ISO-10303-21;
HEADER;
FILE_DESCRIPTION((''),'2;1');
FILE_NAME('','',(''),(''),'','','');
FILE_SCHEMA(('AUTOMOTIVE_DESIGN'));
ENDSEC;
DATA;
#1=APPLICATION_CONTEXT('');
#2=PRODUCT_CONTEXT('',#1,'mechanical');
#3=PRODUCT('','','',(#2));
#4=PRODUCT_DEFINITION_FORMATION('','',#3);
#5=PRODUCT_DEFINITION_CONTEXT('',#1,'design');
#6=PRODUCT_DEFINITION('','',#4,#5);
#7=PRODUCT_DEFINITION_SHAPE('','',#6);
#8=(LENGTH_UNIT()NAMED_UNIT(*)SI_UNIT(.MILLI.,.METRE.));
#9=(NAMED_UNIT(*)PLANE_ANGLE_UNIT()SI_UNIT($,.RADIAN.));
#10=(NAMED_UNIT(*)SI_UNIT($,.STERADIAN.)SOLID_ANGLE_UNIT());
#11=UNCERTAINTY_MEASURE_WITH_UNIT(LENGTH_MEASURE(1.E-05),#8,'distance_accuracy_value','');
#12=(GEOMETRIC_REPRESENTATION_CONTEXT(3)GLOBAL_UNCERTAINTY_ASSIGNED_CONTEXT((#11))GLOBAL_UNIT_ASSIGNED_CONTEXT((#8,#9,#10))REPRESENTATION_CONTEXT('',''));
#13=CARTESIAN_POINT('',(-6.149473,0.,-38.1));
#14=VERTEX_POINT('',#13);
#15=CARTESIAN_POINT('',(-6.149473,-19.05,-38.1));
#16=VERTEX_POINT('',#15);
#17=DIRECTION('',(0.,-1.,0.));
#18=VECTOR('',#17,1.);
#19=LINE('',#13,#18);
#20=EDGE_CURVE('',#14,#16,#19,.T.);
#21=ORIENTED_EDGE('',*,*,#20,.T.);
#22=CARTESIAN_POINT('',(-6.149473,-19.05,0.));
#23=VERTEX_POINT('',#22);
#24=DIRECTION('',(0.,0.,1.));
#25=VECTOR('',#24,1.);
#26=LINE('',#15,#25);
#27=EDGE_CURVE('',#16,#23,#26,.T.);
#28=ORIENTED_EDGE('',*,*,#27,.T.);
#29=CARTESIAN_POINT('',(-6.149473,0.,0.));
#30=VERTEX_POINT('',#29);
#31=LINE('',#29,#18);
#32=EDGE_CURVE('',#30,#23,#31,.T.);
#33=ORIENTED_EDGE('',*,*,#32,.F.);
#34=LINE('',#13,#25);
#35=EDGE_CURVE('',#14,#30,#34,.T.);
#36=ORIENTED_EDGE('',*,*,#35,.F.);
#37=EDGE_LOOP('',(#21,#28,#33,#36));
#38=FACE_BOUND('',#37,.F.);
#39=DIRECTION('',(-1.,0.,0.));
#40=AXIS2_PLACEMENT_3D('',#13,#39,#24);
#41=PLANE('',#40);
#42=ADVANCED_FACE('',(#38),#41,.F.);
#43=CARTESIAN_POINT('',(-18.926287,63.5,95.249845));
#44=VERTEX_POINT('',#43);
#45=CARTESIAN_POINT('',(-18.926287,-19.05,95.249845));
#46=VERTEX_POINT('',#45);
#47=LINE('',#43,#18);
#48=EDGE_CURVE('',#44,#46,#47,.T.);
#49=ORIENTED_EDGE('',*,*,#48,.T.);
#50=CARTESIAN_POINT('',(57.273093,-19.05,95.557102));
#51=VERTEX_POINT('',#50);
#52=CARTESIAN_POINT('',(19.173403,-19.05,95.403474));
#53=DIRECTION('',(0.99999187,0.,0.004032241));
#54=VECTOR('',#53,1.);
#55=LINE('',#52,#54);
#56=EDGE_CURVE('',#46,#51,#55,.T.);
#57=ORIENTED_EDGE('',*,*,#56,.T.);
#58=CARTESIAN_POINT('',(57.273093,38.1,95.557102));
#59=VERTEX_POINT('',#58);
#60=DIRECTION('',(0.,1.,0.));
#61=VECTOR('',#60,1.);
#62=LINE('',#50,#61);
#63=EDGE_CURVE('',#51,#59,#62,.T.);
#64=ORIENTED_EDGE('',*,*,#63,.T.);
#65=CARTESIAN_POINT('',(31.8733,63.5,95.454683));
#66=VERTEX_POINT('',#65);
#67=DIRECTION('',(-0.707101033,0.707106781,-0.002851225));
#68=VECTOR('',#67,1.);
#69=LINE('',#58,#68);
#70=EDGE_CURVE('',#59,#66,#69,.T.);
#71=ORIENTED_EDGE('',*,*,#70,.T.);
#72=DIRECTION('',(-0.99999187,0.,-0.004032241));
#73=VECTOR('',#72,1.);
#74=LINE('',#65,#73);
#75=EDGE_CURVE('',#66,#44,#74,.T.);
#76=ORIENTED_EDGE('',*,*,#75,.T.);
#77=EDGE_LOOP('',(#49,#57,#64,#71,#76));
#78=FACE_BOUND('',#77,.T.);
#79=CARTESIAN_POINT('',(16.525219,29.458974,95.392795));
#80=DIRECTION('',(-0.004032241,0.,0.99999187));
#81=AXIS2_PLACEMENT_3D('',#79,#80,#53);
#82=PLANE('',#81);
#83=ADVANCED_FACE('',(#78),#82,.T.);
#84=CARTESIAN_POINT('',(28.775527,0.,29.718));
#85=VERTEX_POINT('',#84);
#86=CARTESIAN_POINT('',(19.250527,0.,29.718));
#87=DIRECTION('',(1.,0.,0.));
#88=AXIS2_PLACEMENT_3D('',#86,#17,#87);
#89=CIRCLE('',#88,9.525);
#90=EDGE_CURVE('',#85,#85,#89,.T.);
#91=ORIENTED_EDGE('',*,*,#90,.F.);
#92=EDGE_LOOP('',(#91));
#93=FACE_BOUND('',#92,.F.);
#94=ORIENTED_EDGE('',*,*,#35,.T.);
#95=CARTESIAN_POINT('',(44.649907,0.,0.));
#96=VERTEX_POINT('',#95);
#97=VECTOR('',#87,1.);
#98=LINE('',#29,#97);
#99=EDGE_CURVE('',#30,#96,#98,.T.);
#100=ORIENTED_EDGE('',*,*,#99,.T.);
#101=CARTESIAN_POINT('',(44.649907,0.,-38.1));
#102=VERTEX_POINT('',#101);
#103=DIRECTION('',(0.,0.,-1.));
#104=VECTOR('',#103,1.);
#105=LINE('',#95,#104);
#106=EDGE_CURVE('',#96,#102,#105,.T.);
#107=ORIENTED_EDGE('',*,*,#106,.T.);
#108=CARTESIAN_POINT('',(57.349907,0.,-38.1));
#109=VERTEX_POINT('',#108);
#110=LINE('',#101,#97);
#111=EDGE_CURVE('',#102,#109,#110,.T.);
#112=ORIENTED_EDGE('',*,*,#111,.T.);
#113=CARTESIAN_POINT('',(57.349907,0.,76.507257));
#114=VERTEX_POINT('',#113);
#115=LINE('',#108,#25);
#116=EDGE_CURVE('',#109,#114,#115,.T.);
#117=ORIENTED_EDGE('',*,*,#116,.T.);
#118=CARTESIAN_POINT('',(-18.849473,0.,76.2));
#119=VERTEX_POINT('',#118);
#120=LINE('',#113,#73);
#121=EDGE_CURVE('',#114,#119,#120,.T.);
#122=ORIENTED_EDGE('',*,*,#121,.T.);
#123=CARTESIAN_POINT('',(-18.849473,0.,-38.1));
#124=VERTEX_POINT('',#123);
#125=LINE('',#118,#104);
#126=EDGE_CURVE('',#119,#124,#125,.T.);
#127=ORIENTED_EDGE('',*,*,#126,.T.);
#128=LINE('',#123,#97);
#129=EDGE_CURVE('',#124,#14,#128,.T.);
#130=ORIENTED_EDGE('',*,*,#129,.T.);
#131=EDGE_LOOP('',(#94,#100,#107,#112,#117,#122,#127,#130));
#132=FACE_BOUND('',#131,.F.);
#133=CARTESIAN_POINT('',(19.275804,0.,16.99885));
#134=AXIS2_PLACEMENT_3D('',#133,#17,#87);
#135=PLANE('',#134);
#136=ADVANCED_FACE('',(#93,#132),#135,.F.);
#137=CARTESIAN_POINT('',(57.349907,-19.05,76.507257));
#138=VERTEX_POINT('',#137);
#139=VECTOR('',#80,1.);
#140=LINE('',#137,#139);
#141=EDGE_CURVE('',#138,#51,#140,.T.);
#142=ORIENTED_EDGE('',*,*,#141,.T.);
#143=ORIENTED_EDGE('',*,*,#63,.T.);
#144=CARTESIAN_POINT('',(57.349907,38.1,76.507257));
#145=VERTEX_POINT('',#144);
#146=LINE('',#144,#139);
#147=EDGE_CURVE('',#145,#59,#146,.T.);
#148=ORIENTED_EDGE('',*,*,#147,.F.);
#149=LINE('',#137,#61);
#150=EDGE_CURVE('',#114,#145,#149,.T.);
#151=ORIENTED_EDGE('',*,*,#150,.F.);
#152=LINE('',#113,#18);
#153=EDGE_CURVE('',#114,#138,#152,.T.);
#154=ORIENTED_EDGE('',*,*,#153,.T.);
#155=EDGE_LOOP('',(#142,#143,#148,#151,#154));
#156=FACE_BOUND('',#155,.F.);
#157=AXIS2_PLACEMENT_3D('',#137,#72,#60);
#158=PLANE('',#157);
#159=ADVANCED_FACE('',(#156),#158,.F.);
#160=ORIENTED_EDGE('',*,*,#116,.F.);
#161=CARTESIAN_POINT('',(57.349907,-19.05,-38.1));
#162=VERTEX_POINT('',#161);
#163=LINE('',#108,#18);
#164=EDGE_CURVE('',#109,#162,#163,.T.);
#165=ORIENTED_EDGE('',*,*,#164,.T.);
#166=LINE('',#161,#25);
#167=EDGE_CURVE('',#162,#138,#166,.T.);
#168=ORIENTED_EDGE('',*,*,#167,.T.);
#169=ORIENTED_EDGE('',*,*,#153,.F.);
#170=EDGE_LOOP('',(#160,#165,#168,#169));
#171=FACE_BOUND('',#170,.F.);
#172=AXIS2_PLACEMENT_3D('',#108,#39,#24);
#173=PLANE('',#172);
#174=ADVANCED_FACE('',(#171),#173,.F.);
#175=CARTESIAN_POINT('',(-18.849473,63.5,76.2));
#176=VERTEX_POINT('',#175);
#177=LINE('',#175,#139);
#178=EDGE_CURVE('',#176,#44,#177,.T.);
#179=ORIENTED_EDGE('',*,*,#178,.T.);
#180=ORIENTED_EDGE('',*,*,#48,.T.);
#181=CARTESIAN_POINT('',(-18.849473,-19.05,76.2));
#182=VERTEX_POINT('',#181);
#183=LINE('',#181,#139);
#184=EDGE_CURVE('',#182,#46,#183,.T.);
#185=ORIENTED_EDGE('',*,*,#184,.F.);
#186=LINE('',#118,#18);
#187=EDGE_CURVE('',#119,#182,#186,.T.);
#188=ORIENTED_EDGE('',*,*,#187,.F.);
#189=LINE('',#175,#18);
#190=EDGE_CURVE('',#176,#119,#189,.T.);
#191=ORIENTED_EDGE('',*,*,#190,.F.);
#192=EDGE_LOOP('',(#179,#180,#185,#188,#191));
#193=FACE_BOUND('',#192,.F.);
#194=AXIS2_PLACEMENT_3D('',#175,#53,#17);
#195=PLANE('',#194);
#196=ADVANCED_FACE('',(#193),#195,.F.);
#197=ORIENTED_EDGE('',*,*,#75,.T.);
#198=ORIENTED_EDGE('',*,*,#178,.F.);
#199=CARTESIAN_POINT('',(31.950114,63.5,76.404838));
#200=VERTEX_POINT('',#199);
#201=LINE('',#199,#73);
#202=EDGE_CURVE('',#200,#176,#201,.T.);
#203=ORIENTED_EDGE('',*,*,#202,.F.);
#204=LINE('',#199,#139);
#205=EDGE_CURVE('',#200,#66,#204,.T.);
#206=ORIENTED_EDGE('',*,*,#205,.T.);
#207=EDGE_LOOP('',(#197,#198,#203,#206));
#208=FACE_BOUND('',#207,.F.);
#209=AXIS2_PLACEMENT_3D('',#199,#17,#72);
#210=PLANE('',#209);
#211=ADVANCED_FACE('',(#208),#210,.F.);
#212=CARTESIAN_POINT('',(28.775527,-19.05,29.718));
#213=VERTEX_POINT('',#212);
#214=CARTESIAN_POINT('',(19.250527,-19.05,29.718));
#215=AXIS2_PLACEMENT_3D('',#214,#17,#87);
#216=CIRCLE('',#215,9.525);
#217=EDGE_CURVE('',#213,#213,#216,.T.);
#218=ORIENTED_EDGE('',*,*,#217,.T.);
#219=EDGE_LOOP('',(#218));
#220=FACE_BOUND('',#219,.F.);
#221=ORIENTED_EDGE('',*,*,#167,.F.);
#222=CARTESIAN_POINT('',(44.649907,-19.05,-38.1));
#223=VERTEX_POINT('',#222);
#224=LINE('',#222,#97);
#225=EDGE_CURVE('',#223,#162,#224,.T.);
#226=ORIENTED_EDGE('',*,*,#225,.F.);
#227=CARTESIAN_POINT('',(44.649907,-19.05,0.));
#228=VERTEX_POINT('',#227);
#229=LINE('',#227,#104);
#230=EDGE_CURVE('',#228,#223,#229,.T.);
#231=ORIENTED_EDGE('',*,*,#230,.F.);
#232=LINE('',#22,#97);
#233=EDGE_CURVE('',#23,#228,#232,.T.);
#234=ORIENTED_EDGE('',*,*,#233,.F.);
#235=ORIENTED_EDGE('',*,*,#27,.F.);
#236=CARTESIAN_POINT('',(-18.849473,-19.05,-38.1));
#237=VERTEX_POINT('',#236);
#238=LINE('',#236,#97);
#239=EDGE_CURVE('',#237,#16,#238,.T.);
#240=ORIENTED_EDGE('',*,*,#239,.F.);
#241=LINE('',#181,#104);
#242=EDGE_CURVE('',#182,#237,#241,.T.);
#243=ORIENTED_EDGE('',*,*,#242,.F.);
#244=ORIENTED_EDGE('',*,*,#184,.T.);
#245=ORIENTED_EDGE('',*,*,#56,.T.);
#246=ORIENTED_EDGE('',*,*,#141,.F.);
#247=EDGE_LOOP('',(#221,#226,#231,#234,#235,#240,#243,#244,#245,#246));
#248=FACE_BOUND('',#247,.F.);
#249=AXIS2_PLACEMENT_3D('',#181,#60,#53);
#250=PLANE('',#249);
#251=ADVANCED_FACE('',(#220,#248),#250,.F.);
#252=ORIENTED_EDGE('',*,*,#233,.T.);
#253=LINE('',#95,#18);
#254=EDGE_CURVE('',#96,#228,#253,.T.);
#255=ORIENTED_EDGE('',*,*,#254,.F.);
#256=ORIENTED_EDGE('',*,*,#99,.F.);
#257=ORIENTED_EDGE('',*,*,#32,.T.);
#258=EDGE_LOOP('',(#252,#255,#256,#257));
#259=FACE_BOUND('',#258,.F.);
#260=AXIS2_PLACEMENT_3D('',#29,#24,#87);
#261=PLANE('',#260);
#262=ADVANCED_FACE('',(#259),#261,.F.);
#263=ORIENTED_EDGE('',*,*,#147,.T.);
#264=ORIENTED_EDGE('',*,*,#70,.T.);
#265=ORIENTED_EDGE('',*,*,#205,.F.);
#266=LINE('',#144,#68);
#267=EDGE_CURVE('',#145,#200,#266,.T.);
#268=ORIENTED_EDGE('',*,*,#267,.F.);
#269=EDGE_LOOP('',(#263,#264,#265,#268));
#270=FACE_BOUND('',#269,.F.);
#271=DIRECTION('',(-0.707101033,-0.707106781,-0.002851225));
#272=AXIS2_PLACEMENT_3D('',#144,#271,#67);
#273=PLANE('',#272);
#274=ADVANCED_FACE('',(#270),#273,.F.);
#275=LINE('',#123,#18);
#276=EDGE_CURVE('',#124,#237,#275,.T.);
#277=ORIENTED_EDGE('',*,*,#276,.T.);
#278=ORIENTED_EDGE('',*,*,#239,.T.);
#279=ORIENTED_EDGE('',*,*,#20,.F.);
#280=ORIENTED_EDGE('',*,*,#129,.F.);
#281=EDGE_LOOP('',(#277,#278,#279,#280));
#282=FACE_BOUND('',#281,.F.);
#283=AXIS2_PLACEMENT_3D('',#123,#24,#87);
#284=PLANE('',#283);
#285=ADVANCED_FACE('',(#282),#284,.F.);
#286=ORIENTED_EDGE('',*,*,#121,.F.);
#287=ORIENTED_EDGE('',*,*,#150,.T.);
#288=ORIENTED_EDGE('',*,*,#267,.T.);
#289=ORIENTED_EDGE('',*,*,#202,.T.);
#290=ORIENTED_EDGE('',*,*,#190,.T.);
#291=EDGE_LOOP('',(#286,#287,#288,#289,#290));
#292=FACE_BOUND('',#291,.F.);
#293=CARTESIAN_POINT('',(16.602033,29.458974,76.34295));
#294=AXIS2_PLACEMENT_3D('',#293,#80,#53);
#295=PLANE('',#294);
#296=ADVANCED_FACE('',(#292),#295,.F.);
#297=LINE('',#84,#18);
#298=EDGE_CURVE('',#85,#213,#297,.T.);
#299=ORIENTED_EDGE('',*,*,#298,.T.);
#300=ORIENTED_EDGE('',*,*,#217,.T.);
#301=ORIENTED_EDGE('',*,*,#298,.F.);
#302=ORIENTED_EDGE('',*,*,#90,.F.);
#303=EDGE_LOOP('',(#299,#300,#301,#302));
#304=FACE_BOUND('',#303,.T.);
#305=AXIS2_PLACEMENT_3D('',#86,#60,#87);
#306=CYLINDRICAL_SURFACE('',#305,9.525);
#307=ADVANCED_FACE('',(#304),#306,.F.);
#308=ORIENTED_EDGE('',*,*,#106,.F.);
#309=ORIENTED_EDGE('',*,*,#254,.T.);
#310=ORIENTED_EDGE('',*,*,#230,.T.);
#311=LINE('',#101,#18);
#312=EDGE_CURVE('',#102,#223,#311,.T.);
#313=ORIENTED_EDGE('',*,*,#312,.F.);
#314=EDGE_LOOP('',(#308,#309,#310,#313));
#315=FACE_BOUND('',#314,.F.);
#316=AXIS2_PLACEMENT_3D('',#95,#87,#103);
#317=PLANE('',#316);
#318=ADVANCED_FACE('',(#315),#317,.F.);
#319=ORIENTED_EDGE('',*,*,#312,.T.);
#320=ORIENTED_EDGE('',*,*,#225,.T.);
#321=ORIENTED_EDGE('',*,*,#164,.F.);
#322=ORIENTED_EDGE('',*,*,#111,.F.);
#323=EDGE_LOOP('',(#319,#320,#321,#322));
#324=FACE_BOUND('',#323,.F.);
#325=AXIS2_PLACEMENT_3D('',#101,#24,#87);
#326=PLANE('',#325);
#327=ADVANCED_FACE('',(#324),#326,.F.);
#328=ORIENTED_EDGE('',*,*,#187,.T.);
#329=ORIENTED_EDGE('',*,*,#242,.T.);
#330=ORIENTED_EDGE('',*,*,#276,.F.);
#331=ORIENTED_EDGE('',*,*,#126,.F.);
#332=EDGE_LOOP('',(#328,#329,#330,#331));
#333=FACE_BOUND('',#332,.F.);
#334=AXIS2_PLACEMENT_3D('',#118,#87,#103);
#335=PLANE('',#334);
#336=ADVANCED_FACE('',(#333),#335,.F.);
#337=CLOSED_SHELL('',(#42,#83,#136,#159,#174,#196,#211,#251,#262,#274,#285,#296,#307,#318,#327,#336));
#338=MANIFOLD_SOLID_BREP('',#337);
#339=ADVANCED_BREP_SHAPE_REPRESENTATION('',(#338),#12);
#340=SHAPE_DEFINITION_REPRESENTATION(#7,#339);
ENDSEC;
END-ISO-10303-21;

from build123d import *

# Parameters (mm, degrees)
F0_R     = 9.525
F1_DEPTH = 19.05
F2_W     = 76.2
F2_H     = 19.05
F3_DEPTH = 19.05


with BuildPart() as f1:
    # F0 (on Front) → F1 (new body)
    with BuildSketch(Plane.XZ):
        Polygon((57.3499072429, 76.507256764), (-18.8494732879, 76.2), (-18.8494732879, -38.1), (-6.1494732879, -38.1), (-6.1494732879, 0), (44.6499072429, 0), (44.6499072429, -38.1), (57.3499072429, -38.1), (57.3499072429, 0), align=None)
        with Locations((19.2505267121, 29.718)):
            Circle(F0_R, mode=Mode.SUBTRACT)
    extrude(amount=F1_DEPTH)

    # F2 (on face) → F3 (join)
    with BuildSketch(Plane(origin=(-0.3075607392, 0, 76.2747660678), x_dir=(0.9999918705, 0, 0.004032241), z_dir=(-0.004032241, 0, 0.9999918705))):
        Polygon((-18.5420632868, 0), (57.6579367132, 0), (57.6579367132, 38.1), (32.2579367132, 63.5), (-18.5420632868, 63.5), align=None)
        with Locations((19.5579367132, -9.525)):
            Rectangle(F2_W, F2_H)
    extrude(amount=F3_DEPTH)


solid = f1.part
